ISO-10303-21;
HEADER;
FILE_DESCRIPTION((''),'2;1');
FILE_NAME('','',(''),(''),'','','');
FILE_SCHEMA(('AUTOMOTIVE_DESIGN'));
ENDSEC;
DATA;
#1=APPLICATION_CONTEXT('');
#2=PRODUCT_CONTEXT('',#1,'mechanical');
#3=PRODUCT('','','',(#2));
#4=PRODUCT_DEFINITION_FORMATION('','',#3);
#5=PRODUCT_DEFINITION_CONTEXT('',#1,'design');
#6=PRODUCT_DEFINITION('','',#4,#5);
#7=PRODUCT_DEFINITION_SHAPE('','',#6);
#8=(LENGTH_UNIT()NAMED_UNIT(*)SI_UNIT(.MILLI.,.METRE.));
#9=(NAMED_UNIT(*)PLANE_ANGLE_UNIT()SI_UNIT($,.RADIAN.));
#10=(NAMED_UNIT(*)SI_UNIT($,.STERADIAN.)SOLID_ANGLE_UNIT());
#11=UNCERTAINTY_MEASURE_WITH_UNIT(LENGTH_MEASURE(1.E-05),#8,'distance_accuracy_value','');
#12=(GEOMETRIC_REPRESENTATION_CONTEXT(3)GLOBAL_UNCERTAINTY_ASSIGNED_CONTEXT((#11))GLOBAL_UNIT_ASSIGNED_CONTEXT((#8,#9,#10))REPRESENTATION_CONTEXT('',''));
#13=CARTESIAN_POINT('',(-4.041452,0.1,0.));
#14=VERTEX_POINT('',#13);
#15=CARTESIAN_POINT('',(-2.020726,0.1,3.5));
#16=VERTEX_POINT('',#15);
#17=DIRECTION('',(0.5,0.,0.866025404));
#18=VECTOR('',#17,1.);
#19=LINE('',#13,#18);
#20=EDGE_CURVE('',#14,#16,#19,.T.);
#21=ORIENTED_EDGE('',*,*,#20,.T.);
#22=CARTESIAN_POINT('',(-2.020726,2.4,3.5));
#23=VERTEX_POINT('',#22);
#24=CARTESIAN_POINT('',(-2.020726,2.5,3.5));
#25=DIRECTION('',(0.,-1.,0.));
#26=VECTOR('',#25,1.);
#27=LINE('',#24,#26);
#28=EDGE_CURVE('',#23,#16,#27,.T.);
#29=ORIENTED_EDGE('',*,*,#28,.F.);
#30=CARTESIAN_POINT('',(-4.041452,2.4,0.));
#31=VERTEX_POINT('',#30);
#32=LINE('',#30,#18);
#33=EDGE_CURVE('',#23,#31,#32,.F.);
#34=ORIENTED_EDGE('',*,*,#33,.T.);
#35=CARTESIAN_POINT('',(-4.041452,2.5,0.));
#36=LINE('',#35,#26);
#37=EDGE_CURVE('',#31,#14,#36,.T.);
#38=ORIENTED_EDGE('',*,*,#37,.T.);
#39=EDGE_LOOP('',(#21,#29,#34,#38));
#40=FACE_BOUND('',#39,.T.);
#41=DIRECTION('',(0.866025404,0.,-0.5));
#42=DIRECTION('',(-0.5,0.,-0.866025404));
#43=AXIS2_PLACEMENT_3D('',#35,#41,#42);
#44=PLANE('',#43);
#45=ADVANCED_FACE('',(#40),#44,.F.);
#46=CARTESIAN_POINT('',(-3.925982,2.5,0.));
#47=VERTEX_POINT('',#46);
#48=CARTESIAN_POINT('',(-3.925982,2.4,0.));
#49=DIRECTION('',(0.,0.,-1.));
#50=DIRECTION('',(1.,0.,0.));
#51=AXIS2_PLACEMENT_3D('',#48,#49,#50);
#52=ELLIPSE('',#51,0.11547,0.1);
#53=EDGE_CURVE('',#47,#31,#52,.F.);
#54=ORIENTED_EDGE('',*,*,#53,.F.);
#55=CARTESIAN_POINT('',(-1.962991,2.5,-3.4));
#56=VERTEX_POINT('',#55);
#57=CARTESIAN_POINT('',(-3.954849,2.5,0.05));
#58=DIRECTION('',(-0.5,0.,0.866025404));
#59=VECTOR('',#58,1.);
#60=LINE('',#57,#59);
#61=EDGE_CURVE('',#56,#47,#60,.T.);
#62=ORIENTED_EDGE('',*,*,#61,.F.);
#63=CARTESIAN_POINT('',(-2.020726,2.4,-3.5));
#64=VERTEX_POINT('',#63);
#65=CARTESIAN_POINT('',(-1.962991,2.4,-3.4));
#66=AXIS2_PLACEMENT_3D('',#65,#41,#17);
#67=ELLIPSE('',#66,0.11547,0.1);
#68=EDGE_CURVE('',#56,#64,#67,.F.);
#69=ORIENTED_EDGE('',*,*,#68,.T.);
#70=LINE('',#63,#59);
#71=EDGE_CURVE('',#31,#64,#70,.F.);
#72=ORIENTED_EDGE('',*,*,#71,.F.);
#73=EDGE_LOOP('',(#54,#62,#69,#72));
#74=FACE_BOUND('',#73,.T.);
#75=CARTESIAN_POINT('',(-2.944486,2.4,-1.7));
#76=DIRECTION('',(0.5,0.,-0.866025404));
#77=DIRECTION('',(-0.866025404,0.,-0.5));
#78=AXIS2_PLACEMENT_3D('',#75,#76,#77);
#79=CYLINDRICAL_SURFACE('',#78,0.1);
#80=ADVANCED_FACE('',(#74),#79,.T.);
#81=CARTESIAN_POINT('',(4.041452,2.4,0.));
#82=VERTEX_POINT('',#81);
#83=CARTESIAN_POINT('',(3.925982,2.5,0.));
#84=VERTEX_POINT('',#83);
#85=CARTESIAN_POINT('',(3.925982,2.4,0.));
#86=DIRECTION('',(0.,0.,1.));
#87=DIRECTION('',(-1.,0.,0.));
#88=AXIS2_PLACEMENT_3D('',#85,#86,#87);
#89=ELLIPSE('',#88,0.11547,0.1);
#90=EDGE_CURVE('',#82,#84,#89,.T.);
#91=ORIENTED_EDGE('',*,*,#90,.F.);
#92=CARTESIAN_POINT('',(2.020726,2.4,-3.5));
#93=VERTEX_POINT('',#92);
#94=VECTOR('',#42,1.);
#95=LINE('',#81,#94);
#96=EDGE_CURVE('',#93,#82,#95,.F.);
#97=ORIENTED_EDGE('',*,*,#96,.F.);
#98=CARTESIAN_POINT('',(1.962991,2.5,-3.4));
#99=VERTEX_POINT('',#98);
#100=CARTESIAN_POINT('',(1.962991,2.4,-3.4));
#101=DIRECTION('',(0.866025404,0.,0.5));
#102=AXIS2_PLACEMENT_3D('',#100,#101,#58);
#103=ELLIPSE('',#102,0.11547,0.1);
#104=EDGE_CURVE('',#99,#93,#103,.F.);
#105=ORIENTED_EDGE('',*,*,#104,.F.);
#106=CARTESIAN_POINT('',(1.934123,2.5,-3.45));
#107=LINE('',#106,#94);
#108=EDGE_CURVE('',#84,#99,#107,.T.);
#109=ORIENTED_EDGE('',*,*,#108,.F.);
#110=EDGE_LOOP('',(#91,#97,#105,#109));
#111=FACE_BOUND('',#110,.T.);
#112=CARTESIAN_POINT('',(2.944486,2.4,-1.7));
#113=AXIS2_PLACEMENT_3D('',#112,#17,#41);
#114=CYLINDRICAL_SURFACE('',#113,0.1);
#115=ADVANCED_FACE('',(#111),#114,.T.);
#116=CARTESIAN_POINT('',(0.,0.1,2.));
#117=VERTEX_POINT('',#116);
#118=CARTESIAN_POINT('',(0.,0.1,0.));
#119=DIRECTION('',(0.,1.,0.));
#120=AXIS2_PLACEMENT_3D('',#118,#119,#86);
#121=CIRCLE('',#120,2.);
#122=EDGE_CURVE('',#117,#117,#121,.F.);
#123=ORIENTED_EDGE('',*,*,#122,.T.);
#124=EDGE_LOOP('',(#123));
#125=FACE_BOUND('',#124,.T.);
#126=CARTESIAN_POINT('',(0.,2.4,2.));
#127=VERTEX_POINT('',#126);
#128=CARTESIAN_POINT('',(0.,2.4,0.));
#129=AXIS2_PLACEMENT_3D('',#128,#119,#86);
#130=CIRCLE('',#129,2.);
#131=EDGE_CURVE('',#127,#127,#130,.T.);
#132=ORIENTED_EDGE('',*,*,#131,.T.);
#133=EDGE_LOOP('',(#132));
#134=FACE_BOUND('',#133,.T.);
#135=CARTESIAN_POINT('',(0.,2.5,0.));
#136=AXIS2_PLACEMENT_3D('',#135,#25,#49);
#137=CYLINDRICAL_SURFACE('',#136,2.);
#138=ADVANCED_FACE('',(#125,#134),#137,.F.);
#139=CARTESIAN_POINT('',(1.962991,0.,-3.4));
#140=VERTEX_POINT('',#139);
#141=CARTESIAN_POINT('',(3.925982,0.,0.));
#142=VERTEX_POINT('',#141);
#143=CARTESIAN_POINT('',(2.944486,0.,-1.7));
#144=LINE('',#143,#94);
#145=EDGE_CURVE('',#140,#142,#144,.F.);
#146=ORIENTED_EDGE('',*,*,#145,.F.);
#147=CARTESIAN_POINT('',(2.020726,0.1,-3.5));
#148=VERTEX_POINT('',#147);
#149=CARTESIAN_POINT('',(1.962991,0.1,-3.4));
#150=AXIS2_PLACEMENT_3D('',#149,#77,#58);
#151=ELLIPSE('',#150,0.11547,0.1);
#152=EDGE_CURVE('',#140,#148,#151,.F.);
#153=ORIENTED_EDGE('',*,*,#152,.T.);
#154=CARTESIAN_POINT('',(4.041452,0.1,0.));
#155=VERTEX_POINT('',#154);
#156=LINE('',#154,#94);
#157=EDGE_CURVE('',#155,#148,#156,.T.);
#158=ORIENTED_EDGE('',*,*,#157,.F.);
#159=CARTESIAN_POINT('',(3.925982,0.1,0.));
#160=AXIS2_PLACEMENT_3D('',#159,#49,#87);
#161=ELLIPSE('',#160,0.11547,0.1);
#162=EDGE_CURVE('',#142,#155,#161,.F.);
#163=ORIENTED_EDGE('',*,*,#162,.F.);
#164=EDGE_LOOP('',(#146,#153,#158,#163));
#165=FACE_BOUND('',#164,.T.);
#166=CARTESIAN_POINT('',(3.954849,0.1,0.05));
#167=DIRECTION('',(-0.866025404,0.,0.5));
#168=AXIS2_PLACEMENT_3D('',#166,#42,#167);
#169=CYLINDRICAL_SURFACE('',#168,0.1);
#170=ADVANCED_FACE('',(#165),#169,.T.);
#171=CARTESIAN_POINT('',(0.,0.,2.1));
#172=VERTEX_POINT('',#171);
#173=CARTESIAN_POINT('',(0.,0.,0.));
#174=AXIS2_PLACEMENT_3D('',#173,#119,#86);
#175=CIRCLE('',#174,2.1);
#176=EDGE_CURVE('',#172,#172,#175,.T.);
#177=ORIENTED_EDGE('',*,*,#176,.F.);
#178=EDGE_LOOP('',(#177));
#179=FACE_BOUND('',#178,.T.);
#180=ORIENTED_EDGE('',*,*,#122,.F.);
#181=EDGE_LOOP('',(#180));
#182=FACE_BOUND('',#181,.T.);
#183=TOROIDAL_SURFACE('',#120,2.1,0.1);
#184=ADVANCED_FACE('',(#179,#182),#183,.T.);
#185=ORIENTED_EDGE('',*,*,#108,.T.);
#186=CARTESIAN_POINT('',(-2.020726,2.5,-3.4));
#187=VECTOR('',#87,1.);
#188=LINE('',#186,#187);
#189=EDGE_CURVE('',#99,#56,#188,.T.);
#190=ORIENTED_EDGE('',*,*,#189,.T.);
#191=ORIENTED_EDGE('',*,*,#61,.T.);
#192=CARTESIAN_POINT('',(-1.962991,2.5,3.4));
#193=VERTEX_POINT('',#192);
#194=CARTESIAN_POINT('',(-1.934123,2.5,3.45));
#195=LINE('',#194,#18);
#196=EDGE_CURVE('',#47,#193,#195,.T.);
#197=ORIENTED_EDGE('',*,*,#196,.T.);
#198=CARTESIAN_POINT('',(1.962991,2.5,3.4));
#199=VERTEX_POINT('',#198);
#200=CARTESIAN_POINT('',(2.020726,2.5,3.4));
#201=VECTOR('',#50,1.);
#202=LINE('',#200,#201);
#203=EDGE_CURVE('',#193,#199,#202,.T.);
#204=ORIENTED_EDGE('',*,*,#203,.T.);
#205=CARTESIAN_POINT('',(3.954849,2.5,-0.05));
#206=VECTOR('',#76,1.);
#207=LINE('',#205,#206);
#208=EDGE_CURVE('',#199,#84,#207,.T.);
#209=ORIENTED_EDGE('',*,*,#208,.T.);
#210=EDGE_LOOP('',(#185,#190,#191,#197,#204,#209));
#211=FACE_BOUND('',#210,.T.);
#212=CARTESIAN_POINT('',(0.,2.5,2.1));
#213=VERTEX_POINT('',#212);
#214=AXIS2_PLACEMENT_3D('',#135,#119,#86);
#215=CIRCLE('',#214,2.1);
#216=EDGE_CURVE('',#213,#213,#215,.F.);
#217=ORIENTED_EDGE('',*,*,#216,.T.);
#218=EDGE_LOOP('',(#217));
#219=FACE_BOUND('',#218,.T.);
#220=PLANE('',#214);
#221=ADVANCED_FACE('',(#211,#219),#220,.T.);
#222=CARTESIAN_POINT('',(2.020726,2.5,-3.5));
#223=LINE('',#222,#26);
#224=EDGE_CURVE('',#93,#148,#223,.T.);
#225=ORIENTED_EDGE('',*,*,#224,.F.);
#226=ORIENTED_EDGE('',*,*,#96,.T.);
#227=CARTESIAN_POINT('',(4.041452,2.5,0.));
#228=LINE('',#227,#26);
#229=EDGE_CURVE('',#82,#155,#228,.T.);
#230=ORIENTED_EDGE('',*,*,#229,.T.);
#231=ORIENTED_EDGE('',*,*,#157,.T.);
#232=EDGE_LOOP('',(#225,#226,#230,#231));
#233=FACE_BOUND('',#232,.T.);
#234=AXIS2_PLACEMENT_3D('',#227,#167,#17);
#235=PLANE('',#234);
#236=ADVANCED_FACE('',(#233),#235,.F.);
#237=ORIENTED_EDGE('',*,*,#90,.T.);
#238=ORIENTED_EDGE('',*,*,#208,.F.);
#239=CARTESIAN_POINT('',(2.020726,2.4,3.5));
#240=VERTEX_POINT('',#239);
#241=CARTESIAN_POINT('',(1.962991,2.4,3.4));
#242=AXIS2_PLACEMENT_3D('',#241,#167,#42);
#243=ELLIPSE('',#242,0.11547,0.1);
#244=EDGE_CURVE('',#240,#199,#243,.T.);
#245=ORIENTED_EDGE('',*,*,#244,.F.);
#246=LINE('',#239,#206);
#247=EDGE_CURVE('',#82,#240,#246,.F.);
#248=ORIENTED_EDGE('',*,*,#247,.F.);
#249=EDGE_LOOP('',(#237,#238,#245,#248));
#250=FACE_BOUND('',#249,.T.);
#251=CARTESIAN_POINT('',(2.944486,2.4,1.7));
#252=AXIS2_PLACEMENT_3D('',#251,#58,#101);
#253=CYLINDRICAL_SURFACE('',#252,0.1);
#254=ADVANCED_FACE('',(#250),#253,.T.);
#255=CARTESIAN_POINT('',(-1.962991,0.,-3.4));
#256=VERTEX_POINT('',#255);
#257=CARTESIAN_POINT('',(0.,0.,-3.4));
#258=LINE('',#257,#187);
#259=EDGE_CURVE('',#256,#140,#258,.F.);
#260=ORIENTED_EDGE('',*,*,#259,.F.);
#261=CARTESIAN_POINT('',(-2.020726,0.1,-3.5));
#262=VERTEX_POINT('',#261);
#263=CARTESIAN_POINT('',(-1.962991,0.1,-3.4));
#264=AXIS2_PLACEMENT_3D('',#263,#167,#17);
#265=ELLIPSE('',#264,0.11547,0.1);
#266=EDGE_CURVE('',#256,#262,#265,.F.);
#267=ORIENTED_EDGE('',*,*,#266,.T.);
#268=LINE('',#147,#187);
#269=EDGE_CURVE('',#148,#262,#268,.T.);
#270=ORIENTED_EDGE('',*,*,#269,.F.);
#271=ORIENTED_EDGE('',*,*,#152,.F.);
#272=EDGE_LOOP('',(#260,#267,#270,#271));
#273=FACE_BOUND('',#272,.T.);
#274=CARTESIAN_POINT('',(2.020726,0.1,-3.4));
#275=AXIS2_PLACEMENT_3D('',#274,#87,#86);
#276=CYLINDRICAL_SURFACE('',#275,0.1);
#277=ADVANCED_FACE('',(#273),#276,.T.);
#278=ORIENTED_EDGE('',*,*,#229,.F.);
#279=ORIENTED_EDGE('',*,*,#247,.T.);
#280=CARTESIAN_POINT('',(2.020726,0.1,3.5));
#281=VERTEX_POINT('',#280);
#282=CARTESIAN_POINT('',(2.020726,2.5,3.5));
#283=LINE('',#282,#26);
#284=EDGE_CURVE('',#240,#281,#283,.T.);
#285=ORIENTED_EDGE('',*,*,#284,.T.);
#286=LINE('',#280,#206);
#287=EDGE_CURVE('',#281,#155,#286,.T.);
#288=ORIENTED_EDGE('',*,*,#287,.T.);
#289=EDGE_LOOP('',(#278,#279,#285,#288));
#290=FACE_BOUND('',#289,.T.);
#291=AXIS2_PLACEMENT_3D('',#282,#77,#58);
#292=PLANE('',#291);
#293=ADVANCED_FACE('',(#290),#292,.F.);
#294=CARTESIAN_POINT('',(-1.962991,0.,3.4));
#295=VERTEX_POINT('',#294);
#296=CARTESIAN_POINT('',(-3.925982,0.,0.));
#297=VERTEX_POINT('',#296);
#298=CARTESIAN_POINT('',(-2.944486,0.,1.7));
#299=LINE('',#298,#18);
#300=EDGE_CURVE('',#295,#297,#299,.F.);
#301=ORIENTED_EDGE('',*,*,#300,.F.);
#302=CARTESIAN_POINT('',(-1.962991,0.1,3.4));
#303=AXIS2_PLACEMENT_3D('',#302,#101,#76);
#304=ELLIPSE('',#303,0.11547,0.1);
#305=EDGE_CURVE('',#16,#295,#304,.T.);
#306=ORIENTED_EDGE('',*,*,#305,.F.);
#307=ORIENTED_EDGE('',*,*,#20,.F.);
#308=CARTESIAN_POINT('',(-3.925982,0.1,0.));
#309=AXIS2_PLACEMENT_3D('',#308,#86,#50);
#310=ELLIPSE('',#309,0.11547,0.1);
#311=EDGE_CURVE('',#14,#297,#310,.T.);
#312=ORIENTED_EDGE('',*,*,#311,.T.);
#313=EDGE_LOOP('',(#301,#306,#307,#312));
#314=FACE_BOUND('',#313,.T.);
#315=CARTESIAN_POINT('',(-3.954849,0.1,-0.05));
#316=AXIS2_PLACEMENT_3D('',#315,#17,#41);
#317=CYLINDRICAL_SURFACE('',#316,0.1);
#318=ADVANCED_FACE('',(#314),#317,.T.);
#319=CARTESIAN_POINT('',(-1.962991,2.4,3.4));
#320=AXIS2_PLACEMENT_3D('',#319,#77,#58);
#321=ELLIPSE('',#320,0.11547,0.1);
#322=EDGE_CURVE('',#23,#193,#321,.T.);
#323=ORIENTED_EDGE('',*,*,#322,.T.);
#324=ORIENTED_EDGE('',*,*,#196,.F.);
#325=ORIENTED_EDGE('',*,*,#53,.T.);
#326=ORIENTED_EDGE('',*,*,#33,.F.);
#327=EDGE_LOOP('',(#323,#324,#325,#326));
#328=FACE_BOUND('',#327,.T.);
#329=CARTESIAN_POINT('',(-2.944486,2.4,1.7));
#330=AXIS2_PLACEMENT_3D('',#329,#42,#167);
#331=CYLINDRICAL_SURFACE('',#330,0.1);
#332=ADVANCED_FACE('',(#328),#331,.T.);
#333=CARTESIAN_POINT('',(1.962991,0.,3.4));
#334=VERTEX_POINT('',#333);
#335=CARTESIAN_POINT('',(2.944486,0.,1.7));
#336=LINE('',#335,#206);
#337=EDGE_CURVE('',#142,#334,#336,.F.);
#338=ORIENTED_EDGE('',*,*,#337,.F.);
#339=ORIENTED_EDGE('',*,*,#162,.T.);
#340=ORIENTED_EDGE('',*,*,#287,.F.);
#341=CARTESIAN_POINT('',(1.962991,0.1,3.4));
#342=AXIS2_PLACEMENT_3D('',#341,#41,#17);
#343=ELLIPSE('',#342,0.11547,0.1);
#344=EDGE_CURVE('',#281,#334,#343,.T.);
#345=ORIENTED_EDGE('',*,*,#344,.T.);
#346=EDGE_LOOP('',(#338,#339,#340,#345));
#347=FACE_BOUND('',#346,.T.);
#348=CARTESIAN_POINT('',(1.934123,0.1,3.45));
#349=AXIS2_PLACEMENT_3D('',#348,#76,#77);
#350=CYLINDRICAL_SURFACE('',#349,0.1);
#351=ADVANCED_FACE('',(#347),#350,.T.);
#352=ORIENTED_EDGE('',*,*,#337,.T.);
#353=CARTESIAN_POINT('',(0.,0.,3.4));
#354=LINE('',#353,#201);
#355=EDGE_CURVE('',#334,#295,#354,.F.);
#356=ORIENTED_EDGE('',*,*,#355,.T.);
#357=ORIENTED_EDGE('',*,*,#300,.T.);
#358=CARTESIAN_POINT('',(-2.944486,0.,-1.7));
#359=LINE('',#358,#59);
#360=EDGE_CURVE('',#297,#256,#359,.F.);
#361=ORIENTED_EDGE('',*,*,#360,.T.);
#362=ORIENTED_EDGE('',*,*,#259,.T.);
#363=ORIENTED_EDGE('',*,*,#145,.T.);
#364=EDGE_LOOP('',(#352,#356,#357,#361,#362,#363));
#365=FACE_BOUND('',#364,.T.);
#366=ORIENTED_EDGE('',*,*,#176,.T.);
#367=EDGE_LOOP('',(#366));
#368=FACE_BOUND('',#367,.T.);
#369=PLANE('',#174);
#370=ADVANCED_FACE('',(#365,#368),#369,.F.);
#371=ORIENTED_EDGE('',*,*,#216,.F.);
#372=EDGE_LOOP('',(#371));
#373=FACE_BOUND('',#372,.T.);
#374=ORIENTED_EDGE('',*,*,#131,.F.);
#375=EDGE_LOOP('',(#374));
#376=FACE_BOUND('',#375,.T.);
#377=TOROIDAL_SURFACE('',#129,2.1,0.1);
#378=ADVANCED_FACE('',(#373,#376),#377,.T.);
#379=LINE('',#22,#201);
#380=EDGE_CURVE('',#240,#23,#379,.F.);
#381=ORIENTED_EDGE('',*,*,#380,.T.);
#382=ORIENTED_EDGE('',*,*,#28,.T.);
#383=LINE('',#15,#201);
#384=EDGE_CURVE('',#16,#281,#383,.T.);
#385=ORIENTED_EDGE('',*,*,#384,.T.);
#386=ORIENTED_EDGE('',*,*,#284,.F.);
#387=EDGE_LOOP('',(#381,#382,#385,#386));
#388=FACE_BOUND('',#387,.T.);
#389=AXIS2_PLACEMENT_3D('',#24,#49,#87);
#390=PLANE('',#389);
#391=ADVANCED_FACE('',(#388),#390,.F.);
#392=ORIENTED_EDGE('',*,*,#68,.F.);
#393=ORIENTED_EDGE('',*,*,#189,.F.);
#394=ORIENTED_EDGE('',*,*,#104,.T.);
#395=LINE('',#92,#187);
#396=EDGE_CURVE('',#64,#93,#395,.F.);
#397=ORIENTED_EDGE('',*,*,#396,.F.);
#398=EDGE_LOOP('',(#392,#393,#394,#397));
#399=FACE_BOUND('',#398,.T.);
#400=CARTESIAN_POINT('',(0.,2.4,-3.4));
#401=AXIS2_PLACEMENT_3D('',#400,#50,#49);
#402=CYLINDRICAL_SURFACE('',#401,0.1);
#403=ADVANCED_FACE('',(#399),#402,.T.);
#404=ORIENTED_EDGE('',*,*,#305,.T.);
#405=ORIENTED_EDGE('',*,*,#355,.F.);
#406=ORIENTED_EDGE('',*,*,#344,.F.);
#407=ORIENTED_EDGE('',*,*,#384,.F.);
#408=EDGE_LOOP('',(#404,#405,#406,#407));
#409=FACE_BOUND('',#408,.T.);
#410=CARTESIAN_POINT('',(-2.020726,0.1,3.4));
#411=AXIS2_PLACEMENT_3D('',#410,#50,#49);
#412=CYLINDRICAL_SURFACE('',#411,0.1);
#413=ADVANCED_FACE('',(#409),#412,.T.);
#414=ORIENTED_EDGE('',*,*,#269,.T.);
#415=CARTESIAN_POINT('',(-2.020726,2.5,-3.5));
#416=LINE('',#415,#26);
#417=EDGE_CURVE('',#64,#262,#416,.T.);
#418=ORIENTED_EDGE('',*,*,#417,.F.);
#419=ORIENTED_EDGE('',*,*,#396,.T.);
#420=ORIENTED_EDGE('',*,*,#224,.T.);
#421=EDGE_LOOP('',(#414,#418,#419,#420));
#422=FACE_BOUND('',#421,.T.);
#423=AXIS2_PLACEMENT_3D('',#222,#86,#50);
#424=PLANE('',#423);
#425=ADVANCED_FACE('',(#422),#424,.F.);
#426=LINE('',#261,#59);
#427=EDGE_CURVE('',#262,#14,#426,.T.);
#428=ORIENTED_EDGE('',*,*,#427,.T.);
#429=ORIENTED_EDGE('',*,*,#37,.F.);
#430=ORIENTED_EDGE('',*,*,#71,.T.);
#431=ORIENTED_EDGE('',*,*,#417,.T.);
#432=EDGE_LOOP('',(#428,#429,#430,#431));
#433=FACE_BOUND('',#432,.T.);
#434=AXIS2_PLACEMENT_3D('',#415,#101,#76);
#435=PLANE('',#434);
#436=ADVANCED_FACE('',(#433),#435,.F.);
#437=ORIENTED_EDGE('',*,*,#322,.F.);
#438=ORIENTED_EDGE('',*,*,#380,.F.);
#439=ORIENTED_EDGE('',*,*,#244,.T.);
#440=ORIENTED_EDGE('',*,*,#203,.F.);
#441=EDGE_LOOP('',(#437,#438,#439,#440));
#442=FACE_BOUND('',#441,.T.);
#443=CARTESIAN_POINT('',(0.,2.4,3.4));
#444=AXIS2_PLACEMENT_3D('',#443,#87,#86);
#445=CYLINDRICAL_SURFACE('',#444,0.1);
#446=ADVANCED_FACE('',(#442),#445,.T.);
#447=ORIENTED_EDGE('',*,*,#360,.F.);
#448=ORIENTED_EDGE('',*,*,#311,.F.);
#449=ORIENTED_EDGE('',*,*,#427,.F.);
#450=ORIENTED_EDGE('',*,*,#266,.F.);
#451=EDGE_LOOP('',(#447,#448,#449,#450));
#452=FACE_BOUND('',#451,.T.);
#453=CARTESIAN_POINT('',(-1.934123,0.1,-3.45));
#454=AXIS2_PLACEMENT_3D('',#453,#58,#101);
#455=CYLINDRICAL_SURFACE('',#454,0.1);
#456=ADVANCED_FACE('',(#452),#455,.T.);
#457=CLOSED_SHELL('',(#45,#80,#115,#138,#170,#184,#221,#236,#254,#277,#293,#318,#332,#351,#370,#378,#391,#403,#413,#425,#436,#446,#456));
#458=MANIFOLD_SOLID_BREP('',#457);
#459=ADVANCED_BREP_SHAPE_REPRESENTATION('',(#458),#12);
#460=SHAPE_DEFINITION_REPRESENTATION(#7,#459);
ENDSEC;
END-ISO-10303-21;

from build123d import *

# Parameters (mm, degrees)
SKETCH1_R           = 2
BOSS_EXTRUDE1_DEPTH = 2.5
FILLET1_R           = 0.1


with BuildPart() as part:
    # Sketch1 → Boss-Extrude1 (new body)
    with BuildSketch(Plane(origin=(0, 0, 0), x_dir=(1, 0, 0), z_dir=(0, 1, 0))):
        Polygon((2.020725942, -3.5), (4.041451884, 0), (2.020725942, 3.5), (-2.020725942, 3.5), (-4.041451884, 0), (-2.020725942, -3.5), align=None)
        with Locations(Location((0, 0, 0), (0, 0, 270))):
            Circle(SKETCH1_R, mode=Mode.SUBTRACT)
    extrude(amount=BOSS_EXTRUDE1_DEPTH)

    # Fillet1
    fillet1_edges = [part.edges().sort_by_distance(p)[0] for p in [
        (3.031088913, 2.5, -1.75),
        (0, 2.5, -3.5),
        (-3.031088913, 2.5, -1.75),
        (0, 0, -2),
        (0, 2.5, -2),
        (-3.031088913, 2.5, 1.75),
        (0, 2.5, 3.5),
        (-3.031088913, 0, 1.75),
        (-3.031088913, 0, -1.75),
        (0, 0, -3.5),
        (3.031088913, 2.5, 1.75),
        (3.031088913, 0, -1.75),
        (3.031088913, 0, 1.75),
        (0, 0, 3.5),
    ]]
    fillet(fillet1_edges, radius=FILLET1_R)


solid = part.part
